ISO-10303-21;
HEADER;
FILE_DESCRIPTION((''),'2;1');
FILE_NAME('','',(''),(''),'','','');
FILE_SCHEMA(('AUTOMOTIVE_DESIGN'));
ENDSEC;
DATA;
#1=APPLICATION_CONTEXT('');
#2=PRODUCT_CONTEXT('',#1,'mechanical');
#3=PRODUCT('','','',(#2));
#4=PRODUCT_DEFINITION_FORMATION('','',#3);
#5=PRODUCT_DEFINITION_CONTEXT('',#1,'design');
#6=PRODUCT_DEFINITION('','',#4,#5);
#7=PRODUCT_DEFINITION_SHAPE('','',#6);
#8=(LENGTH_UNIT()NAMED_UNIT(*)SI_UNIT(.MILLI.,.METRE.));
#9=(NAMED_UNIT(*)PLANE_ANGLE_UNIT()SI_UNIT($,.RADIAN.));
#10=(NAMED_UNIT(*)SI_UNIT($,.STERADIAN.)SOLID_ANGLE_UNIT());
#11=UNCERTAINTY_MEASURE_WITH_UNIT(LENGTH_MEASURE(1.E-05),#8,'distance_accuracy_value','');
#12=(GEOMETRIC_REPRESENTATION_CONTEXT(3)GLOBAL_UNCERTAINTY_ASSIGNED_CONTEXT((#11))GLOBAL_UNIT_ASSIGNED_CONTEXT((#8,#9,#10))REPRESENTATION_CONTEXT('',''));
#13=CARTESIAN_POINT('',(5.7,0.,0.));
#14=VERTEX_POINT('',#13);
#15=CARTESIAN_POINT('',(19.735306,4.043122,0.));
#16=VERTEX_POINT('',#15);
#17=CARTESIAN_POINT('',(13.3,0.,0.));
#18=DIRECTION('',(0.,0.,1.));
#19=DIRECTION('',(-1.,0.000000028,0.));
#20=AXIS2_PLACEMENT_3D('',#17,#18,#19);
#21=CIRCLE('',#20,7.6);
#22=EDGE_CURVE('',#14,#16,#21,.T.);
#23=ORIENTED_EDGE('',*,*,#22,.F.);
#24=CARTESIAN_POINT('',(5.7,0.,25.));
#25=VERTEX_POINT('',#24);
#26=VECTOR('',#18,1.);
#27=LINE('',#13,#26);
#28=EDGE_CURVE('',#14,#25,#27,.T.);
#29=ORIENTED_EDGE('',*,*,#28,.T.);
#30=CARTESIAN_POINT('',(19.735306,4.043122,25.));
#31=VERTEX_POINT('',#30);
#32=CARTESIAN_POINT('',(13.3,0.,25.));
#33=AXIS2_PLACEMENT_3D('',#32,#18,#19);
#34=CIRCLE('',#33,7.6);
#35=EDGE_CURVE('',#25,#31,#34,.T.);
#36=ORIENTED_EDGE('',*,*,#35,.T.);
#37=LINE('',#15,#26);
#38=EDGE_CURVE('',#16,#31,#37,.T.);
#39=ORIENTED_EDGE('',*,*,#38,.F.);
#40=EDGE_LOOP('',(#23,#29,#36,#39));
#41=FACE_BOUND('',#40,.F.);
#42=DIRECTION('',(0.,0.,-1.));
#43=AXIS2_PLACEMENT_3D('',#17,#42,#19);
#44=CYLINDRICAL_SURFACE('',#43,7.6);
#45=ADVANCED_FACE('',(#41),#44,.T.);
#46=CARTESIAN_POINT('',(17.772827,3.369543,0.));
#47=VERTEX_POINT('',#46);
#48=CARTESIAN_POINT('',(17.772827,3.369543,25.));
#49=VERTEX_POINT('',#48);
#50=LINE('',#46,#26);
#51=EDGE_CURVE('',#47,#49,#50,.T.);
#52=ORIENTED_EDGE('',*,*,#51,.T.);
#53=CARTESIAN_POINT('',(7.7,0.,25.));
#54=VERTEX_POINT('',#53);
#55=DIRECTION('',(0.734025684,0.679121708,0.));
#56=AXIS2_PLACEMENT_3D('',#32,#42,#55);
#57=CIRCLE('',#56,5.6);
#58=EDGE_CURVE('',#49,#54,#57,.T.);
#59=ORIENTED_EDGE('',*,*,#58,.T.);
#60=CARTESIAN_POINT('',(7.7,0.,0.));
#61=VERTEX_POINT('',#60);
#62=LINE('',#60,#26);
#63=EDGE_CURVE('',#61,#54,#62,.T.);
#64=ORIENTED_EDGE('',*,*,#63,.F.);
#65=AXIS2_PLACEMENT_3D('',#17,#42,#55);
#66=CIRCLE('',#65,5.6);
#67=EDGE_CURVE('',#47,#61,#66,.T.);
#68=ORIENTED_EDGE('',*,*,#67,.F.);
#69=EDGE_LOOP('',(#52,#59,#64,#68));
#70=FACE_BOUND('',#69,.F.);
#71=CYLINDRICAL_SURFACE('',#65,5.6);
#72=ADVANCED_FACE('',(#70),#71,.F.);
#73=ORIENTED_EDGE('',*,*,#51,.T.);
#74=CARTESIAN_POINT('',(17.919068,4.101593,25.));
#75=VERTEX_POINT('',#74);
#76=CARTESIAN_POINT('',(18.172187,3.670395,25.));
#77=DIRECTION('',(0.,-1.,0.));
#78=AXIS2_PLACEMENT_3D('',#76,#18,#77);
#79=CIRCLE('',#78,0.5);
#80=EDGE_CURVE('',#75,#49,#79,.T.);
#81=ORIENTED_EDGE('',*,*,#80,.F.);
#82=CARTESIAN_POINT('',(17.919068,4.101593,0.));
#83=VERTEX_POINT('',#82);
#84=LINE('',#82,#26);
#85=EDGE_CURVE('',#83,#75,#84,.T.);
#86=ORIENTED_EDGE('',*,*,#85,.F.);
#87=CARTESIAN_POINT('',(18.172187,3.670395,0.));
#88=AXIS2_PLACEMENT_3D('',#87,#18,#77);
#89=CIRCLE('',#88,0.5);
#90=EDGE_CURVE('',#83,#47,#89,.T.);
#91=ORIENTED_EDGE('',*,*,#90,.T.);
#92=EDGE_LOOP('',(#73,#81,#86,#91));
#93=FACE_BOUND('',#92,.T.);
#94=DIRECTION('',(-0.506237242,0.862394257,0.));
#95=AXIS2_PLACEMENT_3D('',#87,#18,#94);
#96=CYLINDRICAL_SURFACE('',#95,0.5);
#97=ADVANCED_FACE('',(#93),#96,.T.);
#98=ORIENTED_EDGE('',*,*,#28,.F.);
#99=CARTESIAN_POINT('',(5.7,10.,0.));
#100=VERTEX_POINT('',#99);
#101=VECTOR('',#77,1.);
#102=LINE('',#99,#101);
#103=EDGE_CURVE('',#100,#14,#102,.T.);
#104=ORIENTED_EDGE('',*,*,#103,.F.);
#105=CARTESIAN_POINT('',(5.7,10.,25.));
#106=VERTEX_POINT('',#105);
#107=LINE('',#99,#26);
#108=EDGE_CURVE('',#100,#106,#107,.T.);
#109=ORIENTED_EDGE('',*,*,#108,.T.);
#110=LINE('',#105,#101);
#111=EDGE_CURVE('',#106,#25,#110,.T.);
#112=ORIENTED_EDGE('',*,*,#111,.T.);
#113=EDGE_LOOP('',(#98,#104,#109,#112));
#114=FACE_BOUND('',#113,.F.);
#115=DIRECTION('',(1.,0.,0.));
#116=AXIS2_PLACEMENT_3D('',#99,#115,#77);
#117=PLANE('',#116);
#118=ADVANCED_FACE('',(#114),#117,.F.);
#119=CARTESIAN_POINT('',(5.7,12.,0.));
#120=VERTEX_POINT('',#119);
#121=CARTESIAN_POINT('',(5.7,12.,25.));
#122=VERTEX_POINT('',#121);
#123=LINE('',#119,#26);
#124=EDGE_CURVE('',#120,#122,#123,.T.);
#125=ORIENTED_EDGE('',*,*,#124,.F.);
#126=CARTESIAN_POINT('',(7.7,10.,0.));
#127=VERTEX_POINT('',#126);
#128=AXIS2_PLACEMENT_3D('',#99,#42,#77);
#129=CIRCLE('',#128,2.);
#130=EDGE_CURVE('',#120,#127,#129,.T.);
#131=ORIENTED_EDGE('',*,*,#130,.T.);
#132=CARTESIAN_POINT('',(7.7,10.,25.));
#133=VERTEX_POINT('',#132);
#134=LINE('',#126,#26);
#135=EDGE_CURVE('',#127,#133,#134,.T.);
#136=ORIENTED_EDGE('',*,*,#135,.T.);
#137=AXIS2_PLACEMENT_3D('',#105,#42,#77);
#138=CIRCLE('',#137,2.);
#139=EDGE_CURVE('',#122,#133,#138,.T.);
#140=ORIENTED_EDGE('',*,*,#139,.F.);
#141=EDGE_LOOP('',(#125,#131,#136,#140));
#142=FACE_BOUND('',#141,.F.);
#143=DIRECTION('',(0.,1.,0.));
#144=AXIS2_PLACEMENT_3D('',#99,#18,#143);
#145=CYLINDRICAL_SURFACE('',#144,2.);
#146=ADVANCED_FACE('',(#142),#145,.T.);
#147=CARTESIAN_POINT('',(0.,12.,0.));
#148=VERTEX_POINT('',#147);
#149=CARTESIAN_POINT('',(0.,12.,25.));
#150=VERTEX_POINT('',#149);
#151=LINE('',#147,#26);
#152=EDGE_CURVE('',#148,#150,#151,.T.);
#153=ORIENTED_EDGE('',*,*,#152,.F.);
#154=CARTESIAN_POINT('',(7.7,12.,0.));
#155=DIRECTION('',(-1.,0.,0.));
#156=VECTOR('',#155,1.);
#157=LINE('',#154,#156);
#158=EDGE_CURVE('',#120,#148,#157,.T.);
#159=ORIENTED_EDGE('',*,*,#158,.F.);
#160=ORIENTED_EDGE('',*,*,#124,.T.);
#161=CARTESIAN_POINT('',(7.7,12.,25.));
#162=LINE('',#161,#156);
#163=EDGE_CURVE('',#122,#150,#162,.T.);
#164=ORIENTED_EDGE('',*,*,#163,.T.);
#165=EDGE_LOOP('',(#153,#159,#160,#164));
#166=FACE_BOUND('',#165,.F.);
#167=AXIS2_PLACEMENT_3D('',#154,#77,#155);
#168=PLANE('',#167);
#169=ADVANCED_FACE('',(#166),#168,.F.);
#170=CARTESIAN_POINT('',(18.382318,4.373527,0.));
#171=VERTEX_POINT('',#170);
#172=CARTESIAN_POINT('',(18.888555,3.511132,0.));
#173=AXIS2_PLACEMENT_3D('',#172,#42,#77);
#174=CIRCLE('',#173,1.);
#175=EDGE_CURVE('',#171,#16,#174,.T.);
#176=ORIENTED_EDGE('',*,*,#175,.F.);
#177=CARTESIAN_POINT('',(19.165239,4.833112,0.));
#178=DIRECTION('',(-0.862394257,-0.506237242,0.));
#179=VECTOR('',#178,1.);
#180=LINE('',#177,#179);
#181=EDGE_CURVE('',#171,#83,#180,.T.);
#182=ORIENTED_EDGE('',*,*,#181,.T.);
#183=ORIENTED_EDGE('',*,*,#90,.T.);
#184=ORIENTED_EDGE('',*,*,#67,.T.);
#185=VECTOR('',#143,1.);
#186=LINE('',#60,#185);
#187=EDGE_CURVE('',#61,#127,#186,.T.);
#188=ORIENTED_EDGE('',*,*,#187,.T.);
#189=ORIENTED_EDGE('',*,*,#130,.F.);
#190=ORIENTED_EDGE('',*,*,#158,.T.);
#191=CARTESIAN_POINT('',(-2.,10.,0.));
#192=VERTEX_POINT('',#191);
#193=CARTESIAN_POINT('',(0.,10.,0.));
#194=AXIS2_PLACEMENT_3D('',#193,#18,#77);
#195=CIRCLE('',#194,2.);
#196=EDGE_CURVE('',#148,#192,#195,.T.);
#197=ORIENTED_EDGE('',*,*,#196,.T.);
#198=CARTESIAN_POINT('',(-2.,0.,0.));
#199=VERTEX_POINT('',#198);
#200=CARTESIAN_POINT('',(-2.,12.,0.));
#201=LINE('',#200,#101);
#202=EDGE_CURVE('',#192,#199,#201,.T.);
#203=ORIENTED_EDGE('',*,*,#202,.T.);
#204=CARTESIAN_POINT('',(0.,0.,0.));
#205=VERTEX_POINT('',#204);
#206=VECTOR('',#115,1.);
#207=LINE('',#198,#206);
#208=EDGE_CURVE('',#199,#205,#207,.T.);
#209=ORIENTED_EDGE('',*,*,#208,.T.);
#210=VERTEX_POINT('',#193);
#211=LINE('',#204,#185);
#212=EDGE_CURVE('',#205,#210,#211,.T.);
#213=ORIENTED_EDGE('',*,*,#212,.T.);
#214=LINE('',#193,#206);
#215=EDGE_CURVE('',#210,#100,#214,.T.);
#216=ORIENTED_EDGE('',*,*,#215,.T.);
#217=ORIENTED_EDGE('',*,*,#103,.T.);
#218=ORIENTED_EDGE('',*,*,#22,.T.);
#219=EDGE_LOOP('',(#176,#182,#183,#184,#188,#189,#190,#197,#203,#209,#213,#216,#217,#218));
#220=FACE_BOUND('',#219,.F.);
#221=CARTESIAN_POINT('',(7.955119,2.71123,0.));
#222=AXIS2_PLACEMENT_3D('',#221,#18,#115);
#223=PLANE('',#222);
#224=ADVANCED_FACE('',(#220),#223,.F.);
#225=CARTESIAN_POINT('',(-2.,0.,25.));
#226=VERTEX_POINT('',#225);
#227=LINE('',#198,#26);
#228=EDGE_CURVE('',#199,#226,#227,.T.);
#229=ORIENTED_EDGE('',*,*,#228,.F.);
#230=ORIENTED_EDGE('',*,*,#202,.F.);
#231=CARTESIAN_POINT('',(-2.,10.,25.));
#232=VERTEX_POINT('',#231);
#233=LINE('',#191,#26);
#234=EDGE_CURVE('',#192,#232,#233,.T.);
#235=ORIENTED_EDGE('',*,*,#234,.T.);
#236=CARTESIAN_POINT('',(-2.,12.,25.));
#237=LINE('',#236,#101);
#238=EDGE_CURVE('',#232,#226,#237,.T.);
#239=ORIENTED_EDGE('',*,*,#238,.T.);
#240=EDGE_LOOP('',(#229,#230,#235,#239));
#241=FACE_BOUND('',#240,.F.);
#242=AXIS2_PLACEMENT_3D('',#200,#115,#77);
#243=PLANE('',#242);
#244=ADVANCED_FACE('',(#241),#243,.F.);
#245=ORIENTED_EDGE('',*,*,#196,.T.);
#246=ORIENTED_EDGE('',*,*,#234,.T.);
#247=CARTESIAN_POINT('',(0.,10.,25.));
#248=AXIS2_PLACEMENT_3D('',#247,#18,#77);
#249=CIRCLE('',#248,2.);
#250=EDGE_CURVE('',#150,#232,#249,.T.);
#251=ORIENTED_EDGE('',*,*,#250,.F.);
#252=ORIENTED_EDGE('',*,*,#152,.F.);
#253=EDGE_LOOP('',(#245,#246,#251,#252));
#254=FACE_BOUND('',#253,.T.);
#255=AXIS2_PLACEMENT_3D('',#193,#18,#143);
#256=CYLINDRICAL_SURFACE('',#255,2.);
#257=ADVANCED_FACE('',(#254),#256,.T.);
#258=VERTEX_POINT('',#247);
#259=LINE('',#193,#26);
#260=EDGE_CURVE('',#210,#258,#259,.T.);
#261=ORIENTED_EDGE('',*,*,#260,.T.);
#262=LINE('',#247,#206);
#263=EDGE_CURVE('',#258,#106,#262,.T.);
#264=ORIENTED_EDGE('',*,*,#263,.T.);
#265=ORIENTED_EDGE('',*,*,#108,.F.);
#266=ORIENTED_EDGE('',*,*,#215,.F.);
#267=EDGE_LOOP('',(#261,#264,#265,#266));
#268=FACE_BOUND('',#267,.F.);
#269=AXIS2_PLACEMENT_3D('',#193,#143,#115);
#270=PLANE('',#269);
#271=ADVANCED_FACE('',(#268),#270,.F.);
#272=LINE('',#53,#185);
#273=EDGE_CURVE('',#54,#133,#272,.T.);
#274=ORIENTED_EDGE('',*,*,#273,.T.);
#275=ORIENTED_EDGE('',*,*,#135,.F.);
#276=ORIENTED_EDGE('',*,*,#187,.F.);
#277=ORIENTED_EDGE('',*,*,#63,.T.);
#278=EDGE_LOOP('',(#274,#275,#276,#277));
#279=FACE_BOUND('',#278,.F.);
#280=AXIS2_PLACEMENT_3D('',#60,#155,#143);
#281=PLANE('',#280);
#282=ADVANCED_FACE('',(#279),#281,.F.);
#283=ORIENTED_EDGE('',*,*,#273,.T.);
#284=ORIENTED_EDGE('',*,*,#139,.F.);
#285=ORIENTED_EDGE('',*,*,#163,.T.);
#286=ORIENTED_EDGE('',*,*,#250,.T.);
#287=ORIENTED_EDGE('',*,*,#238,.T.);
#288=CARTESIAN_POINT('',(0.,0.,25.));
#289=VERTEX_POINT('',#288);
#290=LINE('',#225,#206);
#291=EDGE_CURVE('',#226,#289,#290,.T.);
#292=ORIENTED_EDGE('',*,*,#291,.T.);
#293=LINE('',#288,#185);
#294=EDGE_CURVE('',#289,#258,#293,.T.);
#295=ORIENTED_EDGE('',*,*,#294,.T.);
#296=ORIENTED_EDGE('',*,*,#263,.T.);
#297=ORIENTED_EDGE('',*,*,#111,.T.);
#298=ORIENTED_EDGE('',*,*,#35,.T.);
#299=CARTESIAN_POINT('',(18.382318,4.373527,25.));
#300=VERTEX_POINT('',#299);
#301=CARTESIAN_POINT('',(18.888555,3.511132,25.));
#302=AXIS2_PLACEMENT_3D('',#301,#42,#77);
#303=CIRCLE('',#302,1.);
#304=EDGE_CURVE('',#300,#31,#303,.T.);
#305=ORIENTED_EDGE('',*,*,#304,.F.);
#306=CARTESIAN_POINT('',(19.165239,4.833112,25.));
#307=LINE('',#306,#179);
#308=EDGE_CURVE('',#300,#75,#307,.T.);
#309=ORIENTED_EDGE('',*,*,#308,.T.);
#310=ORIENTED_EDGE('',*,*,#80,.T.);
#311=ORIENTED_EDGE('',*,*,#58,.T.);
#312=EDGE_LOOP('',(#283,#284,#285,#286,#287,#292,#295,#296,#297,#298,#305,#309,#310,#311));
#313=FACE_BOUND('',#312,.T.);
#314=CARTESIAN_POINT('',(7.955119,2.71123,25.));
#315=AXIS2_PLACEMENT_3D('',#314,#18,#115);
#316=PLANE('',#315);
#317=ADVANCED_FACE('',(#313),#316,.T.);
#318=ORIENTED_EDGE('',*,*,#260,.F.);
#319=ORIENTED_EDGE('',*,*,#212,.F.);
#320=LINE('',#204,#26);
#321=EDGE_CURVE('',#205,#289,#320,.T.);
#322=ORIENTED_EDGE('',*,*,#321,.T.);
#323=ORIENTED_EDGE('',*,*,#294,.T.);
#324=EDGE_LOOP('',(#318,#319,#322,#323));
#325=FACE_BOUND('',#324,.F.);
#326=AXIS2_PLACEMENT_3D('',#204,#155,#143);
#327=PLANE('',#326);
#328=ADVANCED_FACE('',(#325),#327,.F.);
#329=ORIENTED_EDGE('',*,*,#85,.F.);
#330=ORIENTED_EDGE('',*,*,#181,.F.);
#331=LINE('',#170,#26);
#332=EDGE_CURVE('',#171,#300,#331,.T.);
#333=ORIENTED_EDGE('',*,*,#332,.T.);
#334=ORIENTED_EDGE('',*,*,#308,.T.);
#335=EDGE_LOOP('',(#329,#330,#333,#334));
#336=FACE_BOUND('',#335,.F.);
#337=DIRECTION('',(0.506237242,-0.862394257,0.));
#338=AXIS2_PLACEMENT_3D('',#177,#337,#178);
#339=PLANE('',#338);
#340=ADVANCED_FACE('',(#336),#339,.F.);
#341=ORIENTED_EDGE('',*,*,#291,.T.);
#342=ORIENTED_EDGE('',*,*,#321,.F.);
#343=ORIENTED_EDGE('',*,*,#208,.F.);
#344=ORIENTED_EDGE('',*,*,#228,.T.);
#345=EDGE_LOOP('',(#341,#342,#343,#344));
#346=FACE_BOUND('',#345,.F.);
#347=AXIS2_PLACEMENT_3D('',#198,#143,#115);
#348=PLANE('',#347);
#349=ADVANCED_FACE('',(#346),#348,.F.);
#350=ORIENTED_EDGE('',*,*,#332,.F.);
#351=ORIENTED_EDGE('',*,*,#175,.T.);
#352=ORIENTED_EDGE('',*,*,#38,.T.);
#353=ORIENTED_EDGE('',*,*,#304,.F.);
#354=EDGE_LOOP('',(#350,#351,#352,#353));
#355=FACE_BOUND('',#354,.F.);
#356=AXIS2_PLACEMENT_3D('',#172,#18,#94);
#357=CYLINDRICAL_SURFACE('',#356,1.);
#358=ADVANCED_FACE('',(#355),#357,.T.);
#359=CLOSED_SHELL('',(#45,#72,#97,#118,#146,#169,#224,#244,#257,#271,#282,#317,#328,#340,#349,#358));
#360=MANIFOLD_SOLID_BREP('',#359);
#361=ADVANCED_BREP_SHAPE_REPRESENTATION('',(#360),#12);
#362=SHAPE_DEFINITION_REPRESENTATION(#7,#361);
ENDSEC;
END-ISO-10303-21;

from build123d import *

# Parameters (mm, degrees)
F1_DEPTH = 25
F2_R     = 2
F3_R     = 2
F4_R     = 1
F5_R     = 0.5


with BuildPart() as f1:
    # F0 (on Top) → F1 (new body)
    with BuildSketch(Plane.XY):
        with BuildLine():
            Line((7.7, 12), (-2, 12))
            Line((-2, 12), (-2, 0))
            Line((-2, 0), (0, 0))
            Line((0, 0), (0, 10))
            Line((0, 10), (5.7, 10))
            Line((5.7, 10), (5.7, 0))
            ThreePointArc((5.7, 0), (15.867507, -7.153175), (19.165239, 4.833112))
            Line((19.165239, 4.833112), (17.410544, 3.803082))
            ThreePointArc((17.410544, 3.803082), (15.342175, -5.214357), (7.7, 0))
            Line((7.7, 0), (7.7, 12))
        make_face()
    extrude(amount=F1_DEPTH)

    # F2
    f2_edges = [f1.edges().sort_by_distance(p)[0] for p in [
        (7.7, 12, 12.5),
    ]]
    fillet(f2_edges, radius=F2_R)

    # F3
    f3_edges = [f1.edges().sort_by_distance(p)[0] for p in [
        (-2, 12, 12.5),
    ]]
    fillet(f3_edges, radius=F3_R)

    # F4
    f4_edges = [f1.edges().sort_by_distance(p)[0] for p in [
        (19.165239, 4.833112, 12.5),
    ]]
    fillet(f4_edges, radius=F4_R)

    # F5
    f5_edges = [f1.edges().sort_by_distance(p)[0] for p in [
        (17.410544, 3.803082, 12.5),
    ]]
    fillet(f5_edges, radius=F5_R)


solid = f1.part
